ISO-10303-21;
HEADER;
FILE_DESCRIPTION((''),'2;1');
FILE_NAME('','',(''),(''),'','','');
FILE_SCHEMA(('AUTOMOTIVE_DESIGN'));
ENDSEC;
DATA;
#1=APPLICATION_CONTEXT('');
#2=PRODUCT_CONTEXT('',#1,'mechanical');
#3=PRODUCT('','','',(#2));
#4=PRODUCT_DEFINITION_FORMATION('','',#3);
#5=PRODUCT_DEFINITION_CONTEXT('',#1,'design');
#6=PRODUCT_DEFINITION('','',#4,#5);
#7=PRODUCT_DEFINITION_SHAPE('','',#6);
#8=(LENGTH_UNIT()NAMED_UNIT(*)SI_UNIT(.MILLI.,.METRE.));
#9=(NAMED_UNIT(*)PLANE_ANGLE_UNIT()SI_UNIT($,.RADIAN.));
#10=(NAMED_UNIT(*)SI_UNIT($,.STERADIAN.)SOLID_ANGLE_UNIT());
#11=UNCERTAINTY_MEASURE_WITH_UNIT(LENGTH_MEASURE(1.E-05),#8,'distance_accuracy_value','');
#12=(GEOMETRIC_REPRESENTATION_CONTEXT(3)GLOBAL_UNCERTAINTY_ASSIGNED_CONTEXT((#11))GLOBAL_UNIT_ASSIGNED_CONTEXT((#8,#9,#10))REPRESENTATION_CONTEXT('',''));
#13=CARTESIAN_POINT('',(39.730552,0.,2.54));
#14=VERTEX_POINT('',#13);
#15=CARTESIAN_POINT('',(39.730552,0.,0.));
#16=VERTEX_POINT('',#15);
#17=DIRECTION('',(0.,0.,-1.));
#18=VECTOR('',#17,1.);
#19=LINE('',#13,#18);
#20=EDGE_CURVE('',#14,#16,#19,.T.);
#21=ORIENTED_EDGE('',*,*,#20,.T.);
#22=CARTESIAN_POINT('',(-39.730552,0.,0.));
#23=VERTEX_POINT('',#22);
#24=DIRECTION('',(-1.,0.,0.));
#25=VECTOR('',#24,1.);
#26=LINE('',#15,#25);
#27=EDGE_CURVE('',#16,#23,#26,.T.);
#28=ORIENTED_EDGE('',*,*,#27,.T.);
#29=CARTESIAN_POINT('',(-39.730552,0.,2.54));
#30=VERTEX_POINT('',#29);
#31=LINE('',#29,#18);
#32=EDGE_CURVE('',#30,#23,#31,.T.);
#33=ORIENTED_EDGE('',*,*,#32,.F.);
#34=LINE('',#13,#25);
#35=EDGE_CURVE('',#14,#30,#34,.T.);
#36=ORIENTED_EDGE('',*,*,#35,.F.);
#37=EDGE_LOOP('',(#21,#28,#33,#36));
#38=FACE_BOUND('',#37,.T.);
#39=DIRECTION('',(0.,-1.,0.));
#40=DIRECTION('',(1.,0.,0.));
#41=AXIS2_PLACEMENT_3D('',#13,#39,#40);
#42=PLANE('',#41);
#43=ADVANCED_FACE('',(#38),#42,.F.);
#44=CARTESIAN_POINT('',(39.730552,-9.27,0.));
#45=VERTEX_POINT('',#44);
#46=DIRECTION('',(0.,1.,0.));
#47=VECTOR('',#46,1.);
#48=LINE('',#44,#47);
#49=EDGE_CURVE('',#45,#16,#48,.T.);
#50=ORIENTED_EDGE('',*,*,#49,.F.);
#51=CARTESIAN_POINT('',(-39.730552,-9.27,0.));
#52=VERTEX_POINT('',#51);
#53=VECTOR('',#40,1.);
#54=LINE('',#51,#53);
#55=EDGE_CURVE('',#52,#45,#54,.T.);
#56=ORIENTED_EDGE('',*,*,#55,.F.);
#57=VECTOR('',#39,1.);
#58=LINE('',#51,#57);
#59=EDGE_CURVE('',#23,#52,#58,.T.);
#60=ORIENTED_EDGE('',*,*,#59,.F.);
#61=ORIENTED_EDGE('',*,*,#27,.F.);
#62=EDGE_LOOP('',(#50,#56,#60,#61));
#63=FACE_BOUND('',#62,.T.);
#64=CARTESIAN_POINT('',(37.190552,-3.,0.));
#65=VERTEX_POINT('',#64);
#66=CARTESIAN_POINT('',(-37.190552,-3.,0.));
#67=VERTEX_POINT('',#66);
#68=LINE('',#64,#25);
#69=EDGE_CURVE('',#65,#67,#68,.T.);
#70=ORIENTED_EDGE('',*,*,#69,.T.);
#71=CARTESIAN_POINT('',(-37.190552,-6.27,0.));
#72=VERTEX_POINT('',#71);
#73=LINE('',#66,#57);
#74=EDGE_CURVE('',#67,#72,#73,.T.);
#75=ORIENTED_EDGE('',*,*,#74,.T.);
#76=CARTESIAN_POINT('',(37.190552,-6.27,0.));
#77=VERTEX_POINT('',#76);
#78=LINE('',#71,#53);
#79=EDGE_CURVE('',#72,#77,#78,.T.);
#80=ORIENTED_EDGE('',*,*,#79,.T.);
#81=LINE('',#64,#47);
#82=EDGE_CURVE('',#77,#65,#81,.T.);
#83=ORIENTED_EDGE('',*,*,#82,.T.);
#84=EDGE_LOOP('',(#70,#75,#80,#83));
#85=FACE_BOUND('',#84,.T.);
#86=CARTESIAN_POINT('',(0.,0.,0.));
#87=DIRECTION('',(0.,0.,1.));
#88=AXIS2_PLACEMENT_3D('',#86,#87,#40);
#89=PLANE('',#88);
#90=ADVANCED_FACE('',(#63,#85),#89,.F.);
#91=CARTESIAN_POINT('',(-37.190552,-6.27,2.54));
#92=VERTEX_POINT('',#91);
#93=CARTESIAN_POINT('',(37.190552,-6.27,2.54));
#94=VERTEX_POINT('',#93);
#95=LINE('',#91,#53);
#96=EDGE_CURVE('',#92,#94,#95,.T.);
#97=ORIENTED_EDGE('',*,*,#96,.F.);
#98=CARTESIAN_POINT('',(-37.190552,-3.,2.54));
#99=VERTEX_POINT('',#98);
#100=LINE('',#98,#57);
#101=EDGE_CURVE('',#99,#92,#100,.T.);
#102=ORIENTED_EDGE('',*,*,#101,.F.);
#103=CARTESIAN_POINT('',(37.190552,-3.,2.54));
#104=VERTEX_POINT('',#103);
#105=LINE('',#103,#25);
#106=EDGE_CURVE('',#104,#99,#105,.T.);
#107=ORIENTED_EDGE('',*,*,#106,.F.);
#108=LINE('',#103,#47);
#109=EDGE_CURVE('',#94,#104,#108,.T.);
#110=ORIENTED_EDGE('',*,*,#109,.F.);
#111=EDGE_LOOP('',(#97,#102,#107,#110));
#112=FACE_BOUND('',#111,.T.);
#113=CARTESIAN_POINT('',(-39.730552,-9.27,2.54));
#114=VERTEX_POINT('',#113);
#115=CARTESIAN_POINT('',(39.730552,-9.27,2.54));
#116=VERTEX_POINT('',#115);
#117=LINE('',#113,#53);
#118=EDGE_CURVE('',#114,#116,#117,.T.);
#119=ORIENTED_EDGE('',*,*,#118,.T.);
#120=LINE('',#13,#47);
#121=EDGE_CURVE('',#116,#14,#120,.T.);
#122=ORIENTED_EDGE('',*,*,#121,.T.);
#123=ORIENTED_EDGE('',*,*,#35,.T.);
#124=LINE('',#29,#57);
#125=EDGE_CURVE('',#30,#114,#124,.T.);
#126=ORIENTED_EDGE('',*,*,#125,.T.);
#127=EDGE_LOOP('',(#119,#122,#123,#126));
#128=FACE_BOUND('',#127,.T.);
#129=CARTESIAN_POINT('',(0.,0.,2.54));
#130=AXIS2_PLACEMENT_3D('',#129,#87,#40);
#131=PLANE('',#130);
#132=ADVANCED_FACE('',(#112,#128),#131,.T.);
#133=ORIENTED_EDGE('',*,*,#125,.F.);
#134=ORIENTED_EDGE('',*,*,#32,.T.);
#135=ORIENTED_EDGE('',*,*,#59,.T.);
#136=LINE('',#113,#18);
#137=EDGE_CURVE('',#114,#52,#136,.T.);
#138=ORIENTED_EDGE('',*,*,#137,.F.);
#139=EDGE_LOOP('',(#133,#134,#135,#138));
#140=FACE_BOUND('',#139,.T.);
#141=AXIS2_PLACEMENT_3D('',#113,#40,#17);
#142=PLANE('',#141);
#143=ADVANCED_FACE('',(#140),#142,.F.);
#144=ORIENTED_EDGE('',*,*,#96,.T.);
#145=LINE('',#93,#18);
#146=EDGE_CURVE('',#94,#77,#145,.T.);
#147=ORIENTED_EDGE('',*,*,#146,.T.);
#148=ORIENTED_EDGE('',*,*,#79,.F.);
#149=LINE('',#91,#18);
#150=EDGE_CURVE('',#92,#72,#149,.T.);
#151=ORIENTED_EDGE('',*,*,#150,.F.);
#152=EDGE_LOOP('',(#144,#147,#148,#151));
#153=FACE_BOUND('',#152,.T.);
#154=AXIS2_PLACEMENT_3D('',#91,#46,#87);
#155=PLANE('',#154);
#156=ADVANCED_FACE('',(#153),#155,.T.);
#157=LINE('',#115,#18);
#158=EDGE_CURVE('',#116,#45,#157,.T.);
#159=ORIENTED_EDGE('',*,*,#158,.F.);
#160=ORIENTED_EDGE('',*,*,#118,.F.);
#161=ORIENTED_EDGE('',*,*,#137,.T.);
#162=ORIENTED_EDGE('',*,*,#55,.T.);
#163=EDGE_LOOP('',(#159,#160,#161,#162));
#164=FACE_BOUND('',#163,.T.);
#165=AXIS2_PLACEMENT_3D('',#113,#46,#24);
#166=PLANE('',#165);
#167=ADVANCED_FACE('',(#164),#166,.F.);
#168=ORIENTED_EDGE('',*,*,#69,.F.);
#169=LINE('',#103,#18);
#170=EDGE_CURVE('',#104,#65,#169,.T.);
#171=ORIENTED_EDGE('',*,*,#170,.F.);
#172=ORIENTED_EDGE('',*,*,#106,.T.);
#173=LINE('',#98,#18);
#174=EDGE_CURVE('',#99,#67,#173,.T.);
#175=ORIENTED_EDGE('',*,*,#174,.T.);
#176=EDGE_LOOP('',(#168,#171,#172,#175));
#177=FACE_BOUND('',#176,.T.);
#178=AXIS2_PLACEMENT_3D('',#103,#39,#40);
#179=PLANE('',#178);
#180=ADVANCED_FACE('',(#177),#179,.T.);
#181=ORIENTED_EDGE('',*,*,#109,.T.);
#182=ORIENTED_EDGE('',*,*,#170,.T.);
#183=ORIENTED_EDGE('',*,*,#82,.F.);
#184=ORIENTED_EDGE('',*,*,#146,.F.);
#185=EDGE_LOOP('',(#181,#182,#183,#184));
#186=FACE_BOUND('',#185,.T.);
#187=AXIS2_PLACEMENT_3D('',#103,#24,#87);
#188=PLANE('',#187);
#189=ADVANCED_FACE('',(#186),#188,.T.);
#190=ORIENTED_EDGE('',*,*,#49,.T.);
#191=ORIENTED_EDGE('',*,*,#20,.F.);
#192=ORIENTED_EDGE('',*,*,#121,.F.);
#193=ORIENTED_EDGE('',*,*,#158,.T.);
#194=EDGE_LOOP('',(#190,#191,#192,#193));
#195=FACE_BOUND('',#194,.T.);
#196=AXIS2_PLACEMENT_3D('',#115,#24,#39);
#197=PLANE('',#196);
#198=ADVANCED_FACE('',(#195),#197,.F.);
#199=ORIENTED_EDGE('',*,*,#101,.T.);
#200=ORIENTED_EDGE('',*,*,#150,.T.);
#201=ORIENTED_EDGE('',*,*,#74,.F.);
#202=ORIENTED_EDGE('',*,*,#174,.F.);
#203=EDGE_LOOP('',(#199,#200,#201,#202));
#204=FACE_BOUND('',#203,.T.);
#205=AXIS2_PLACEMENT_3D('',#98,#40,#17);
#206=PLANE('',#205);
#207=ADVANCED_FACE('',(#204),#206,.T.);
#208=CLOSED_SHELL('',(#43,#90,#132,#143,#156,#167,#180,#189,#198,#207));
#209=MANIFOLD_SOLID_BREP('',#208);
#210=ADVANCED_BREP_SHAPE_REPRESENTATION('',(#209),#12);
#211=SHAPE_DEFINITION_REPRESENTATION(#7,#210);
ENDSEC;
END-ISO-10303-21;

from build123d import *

# Parameters (mm, degrees)
SKETCH1_W           = 74.381104322
SKETCH1_H           = 3.27
BOSS_EXTRUDE1_DEPTH = 2.54


with BuildPart() as part:
    # Sketch1 → Boss-Extrude1 (new body)
    with BuildSketch(Plane.XY):
        Polygon((39.730552161, 0), (-39.730552161, 0), (-39.730552161, -6.27), (-39.730552161, -9.27), (39.730552161, -9.27), (39.730552161, -3), align=None)
        with Locations((0, -4.635)):
            Rectangle(SKETCH1_W, SKETCH1_H, mode=Mode.SUBTRACT)
    extrude(amount=BOSS_EXTRUDE1_DEPTH)


solid = part.part
